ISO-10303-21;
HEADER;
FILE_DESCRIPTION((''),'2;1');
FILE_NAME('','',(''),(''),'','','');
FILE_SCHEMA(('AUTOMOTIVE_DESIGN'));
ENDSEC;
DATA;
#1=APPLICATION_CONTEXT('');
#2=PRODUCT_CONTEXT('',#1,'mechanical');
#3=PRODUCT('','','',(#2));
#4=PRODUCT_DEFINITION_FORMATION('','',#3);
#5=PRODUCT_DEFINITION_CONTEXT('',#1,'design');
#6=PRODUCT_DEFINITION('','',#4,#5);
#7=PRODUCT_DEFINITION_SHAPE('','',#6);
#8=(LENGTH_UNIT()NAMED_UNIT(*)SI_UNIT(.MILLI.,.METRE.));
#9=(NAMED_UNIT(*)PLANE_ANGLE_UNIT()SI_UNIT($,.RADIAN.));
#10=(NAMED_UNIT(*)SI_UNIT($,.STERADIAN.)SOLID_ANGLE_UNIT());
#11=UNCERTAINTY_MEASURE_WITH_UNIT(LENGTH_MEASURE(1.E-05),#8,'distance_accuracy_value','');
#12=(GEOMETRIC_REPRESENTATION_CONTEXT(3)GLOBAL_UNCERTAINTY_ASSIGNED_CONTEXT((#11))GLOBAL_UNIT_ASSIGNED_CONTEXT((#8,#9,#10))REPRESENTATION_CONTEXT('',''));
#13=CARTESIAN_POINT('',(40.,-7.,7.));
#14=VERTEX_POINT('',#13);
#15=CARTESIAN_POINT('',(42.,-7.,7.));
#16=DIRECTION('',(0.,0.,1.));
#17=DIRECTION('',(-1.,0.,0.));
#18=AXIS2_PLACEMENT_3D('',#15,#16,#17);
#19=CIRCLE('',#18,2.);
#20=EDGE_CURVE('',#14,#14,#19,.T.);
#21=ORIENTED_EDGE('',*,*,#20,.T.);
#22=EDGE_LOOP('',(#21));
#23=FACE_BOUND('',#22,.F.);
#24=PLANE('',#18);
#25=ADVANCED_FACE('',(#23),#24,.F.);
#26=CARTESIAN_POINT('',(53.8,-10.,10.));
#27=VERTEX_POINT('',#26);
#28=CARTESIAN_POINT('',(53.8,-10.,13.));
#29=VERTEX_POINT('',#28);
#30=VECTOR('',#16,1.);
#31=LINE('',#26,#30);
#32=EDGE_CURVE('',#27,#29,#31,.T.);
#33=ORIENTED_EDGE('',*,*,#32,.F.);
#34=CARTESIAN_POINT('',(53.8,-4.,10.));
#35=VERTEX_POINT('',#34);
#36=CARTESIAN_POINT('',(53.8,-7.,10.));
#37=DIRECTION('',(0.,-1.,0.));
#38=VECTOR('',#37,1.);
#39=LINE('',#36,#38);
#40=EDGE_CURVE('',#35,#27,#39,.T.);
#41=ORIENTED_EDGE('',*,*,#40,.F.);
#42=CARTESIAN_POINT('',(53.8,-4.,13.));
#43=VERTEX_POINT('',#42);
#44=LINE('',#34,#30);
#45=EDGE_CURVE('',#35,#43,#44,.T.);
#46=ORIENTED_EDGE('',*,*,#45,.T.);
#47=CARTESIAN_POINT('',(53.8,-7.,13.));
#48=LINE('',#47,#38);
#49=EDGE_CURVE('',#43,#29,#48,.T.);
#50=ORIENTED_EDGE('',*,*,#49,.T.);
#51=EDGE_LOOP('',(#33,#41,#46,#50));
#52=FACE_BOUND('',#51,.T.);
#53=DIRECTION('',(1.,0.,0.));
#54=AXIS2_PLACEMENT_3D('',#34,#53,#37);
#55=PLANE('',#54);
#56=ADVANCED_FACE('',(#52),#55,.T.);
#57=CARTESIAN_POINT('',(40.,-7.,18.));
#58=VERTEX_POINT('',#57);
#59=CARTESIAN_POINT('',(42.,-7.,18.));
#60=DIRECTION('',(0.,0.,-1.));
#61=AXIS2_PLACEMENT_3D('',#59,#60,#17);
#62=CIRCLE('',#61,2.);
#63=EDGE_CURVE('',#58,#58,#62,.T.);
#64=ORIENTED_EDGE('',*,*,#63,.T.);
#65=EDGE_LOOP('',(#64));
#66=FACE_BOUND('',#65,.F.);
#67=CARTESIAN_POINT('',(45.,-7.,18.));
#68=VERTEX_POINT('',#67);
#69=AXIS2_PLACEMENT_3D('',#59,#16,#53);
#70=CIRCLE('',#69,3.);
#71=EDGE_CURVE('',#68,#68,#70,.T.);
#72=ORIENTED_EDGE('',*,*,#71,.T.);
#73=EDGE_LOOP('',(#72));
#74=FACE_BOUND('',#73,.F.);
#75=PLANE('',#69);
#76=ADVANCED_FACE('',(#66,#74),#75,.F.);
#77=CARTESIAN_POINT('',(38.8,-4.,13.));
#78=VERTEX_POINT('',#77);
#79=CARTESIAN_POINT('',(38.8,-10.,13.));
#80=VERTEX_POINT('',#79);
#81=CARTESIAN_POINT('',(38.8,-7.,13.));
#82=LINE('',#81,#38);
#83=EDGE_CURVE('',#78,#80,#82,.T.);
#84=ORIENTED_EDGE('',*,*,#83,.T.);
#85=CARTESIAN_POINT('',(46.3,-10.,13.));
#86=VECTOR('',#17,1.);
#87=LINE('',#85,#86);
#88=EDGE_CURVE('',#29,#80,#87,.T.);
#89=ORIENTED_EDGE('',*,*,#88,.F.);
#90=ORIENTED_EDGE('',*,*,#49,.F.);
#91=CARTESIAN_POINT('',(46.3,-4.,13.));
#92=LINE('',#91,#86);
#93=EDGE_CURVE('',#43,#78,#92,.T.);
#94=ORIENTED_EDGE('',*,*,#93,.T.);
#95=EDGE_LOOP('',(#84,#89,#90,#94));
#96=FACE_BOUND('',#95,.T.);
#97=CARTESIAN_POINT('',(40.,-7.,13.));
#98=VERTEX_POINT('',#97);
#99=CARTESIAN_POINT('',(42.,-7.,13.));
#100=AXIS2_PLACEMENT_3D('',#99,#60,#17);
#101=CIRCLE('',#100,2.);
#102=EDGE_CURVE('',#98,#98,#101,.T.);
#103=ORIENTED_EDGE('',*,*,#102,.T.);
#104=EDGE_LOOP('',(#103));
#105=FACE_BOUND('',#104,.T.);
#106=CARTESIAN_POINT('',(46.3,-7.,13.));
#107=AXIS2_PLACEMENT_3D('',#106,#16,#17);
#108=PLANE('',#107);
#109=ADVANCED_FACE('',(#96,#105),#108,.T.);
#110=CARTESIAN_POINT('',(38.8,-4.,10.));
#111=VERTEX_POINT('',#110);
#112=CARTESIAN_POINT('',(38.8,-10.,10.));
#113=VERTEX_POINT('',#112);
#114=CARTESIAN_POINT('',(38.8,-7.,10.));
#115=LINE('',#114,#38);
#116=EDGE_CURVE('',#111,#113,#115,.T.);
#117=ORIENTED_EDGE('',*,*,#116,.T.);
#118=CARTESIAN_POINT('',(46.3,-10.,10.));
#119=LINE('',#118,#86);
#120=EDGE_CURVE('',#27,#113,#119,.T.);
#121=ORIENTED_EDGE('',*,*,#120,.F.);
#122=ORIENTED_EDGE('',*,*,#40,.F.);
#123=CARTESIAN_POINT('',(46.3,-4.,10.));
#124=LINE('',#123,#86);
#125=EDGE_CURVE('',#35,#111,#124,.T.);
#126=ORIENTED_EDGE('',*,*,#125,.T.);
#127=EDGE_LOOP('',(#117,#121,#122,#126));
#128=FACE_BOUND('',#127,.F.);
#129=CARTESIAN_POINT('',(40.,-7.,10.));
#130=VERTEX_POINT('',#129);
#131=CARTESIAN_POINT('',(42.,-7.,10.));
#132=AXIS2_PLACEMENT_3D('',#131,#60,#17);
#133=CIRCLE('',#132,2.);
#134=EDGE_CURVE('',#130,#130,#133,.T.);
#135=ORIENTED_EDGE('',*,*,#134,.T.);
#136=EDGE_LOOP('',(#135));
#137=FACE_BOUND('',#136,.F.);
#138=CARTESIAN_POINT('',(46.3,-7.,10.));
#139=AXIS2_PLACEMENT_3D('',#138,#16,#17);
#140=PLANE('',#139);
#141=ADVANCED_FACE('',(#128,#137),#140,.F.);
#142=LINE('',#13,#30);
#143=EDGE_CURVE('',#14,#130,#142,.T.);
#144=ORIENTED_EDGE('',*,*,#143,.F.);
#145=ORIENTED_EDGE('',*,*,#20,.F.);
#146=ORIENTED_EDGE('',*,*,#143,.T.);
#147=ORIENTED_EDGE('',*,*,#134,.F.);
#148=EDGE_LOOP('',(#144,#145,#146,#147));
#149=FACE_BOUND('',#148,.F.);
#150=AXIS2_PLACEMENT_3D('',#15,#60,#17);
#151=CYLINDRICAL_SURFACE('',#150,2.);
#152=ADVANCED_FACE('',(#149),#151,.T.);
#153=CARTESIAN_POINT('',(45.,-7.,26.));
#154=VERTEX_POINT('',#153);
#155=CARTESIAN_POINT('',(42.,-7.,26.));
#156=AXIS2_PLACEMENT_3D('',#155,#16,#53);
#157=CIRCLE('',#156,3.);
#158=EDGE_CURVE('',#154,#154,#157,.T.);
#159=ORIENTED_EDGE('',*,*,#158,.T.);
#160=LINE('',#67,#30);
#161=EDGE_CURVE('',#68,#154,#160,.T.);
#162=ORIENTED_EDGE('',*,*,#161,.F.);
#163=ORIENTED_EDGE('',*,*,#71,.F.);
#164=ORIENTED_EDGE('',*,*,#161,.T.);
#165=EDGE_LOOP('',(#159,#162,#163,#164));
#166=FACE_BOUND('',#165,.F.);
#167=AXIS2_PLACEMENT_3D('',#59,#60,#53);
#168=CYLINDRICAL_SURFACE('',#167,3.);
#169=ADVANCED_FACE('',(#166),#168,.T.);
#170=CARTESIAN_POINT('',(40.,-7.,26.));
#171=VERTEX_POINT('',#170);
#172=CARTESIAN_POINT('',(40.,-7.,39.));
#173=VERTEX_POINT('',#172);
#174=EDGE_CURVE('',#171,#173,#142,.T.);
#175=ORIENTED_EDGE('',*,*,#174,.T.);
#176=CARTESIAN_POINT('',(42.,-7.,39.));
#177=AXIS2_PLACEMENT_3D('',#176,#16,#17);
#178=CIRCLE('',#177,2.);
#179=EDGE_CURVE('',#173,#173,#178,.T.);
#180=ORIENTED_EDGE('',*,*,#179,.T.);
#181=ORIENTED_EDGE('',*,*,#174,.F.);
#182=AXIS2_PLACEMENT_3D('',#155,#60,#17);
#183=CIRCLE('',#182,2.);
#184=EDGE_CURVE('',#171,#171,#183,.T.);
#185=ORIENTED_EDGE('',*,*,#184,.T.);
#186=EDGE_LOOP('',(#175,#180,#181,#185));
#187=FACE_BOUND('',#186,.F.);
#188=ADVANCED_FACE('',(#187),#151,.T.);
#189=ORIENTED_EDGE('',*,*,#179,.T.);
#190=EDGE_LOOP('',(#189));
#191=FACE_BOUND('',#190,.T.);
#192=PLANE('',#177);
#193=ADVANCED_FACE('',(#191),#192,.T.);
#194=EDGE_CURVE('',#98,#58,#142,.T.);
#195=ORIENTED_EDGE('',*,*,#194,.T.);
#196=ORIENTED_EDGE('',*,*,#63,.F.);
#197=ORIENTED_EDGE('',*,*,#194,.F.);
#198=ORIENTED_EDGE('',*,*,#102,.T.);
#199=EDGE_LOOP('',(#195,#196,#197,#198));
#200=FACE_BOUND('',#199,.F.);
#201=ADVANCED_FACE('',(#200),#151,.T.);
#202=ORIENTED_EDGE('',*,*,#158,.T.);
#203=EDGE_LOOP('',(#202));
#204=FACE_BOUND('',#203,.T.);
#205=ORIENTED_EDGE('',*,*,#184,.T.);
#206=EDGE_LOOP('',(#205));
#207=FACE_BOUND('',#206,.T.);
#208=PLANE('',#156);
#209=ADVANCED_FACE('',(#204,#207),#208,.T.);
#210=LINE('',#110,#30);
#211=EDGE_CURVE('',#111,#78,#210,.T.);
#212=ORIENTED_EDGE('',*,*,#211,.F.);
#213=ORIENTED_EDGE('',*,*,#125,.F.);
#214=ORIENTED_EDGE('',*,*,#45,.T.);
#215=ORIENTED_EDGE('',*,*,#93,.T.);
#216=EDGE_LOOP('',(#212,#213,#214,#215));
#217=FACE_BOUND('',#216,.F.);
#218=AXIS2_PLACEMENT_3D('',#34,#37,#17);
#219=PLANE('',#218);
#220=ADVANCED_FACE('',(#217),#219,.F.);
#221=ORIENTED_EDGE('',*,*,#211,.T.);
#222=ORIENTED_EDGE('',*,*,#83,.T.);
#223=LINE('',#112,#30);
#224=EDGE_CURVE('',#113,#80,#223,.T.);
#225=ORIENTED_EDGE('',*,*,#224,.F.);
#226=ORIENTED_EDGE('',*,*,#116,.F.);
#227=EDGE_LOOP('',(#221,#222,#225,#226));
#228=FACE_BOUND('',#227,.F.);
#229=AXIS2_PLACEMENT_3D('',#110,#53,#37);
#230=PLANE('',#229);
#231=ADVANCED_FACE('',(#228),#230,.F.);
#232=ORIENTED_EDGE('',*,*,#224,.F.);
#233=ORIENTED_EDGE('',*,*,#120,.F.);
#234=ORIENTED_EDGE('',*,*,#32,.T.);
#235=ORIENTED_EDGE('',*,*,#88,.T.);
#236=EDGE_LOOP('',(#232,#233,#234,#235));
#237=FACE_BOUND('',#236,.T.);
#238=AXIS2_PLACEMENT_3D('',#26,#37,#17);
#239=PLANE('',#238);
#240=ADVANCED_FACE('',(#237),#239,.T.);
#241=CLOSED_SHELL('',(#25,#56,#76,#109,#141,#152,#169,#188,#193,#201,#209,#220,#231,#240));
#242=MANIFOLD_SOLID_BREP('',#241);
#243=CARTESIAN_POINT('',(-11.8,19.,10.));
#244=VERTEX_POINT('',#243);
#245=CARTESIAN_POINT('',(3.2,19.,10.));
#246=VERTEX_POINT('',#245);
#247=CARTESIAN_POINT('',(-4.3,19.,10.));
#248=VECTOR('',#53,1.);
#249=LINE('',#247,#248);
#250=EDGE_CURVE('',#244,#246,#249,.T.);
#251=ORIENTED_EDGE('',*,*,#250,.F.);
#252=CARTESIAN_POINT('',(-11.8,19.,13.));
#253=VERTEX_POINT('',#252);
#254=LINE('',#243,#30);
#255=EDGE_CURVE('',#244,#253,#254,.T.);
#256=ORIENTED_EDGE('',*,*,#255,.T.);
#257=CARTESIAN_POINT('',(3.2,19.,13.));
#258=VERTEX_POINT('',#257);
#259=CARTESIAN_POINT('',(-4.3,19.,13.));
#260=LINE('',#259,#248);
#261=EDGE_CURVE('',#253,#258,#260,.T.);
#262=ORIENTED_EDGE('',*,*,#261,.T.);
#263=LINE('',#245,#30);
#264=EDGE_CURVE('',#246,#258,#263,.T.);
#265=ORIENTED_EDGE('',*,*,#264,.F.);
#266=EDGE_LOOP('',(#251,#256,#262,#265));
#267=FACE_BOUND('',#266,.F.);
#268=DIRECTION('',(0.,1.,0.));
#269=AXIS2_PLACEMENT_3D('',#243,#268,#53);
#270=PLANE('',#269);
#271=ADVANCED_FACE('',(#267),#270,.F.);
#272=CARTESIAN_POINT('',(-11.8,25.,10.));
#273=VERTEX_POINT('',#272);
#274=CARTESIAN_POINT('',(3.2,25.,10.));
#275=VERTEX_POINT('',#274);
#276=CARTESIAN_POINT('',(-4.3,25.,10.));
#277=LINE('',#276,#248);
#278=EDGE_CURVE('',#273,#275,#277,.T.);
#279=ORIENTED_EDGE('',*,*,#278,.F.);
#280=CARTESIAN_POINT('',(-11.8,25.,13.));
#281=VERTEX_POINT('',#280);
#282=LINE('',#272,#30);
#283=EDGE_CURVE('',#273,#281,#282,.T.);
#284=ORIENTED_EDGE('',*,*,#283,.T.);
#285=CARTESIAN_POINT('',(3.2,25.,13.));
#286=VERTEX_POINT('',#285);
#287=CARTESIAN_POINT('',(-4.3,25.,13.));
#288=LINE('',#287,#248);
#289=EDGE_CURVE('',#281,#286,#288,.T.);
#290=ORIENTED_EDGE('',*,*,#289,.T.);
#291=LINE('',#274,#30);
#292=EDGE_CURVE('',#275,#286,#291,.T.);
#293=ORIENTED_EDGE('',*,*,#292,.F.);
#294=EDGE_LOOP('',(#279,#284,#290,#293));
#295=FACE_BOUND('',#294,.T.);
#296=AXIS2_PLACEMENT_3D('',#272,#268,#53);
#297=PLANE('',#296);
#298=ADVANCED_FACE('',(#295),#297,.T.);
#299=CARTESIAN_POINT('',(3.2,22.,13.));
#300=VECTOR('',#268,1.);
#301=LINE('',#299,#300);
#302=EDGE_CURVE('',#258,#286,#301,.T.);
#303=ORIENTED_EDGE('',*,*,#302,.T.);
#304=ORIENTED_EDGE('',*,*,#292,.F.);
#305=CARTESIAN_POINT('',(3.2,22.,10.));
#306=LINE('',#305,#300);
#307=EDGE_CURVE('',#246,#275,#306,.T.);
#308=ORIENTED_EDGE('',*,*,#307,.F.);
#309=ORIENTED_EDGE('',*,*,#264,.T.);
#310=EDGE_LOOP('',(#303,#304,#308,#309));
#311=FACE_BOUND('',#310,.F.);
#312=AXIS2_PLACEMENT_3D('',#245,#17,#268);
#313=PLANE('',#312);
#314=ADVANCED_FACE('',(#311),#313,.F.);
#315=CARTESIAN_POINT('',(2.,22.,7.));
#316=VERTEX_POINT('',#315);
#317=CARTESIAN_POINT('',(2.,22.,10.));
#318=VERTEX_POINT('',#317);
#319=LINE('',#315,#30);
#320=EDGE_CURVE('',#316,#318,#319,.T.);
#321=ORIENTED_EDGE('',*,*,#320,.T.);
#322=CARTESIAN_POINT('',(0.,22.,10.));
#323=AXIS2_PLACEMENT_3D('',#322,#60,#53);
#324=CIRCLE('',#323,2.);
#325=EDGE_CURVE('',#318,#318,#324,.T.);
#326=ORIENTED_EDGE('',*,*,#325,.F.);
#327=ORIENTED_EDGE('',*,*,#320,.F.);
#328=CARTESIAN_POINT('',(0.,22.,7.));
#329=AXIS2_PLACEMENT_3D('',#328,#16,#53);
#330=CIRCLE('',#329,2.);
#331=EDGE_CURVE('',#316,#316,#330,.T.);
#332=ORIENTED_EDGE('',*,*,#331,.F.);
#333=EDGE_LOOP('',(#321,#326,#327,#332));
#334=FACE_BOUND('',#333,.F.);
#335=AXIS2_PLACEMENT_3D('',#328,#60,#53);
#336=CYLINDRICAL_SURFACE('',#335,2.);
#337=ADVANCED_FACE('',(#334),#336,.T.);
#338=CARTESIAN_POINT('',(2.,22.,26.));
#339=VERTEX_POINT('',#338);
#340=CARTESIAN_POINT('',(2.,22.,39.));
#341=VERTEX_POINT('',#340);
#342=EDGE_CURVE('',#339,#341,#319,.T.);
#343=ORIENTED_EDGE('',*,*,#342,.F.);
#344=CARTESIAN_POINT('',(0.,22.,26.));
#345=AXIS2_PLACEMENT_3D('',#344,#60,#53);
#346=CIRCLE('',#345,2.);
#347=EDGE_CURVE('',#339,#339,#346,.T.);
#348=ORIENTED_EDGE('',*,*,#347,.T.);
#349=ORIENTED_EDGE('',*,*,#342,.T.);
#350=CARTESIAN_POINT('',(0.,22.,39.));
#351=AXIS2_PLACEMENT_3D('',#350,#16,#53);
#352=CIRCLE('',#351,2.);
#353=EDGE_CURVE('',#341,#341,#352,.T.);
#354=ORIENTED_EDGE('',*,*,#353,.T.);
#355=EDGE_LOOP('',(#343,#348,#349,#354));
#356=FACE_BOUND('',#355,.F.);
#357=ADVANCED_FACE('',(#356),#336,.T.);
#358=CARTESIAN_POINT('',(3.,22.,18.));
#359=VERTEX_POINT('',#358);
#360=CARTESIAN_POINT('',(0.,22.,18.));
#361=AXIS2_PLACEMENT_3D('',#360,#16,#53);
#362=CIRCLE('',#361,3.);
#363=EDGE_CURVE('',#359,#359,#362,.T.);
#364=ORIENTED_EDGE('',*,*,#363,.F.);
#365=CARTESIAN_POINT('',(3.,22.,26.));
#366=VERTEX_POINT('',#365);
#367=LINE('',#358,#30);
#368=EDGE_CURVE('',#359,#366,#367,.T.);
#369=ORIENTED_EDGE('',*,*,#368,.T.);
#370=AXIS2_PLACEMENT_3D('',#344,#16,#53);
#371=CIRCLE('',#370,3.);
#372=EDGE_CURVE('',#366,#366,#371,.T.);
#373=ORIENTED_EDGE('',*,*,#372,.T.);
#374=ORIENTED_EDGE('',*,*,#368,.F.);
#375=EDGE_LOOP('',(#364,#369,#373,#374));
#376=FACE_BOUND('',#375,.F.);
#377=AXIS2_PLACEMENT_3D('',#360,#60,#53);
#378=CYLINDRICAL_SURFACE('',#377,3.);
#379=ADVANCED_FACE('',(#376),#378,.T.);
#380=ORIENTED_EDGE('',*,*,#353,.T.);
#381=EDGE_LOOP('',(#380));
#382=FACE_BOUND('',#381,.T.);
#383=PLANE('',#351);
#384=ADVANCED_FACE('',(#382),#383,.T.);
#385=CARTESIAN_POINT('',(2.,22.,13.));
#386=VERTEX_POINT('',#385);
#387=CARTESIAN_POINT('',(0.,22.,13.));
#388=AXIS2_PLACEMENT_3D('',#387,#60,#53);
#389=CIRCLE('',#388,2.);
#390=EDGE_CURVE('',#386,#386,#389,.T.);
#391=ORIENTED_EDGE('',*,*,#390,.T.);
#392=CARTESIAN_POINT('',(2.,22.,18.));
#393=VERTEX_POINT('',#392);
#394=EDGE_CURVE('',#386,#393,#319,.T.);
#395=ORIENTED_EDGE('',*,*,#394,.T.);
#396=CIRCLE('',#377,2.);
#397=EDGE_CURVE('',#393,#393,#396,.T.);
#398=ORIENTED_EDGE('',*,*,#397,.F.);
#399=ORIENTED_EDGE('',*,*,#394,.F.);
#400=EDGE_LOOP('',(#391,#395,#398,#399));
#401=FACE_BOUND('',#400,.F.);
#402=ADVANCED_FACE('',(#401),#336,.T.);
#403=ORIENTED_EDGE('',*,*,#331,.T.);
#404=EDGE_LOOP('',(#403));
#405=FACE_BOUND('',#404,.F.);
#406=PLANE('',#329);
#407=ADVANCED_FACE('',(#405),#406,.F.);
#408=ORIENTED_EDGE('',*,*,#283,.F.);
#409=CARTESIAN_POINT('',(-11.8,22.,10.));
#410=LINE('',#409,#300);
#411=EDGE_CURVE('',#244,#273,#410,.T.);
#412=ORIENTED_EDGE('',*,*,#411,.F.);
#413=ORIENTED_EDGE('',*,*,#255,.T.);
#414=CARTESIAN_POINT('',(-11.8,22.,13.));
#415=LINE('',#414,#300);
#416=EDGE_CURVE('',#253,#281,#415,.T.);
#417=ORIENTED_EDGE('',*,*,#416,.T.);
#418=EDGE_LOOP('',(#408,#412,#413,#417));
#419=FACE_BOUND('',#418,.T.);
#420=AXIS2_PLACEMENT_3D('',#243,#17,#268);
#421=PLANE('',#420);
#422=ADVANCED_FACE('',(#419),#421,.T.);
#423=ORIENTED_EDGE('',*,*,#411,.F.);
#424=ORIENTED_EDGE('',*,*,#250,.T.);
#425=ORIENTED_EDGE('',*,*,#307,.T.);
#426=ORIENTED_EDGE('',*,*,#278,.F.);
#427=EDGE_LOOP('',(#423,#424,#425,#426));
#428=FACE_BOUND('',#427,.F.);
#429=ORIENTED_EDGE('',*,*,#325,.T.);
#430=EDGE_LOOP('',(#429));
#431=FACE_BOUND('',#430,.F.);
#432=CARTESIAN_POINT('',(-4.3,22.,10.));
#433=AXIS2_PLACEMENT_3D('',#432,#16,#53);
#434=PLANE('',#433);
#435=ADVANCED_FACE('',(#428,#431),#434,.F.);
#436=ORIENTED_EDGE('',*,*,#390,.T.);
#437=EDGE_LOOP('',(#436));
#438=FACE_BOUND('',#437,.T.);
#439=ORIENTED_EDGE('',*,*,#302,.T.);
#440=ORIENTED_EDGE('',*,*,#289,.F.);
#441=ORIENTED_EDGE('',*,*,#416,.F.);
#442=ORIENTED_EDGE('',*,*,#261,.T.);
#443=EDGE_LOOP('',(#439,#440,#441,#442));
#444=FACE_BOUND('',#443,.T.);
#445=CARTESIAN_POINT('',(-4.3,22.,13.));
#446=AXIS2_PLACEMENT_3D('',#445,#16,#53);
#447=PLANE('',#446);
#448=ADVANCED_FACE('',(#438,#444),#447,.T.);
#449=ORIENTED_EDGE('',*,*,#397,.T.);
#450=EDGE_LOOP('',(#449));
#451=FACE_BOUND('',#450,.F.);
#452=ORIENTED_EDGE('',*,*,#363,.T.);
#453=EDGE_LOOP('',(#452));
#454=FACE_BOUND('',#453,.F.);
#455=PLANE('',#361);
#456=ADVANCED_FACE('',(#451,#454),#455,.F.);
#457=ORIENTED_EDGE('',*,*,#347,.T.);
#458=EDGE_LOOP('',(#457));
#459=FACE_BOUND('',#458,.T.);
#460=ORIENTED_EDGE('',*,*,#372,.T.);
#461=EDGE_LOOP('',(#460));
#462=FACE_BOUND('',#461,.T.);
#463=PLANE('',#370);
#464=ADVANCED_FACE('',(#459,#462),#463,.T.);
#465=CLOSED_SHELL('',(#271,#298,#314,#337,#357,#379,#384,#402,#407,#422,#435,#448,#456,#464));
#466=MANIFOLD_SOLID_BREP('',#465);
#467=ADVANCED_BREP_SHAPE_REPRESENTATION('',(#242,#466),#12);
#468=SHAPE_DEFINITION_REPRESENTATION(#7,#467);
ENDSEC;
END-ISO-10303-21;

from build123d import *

# Parameters (mm, degrees)
CYLINDER054_R             = 3
CYLINDER054_DEPTH         = 8
CYLINDER053_R             = 3
CYLINDER053_DEPTH         = 8
BOX016_W                  = 15
BOX016_H                  = 6
BOX016_DEPTH              = 3
CYLINDER052_R             = 1.5
CYLINDER052_DEPTH         = 25
CYLINDER051_R             = 2
CYLINDER051_DEPTH         = 32
FUSION038_PLACEMENT_ANGLE = 180
BOX015_W                  = 15
BOX015_H                  = 6
BOX015_DEPTH              = 3
CYLINDER049_R             = 1.5
CYLINDER049_DEPTH         = 25
CYLINDER048_R             = 2
CYLINDER048_DEPTH         = 32


with BuildPart() as cylinder054:
    # Cylinder054 → Cylinder054 (new body)
    with BuildSketch(Plane(origin=(0, 22, 18), x_dir=(1, 0, 0), z_dir=(0, 0, 1))):
        Circle(CYLINDER054_R)
    extrude(amount=CYLINDER054_DEPTH)


with BuildPart() as cylinder053:
    # Cylinder053 → Cylinder053 (new body)
    with BuildSketch(Plane(origin=(42, -7, 18), x_dir=(1, 0, 0), z_dir=(0, 0, 1))):
        Circle(CYLINDER053_R)
    extrude(amount=CYLINDER053_DEPTH)


with BuildPart() as cube013:
    # Box016 → Box016 (new body)
    with BuildSketch(Plane(origin=(58.2, 67, 3), x_dir=(1, 0, 0), z_dir=(0, 0, 1))):
        with Locations((7.5, 3)):
            Rectangle(BOX016_W, BOX016_H)
    extrude(amount=BOX016_DEPTH)


with BuildPart() as cylinder052:
    # Cylinder052 → Cylinder052 (new body)
    with BuildSketch(Plane(origin=(70, 70, 7), x_dir=(1, 0, 0), z_dir=(0, 0, 1))):
        Circle(CYLINDER052_R)
    extrude(amount=CYLINDER052_DEPTH)


with BuildPart() as fusion038:
    # Cylinder051 → Cylinder051 (new body)
    with BuildSketch(Plane(origin=(70, 70, 0), x_dir=(1, 0, 0), z_dir=(0, 0, 1))):
        Circle(CYLINDER051_R)
    extrude(amount=CYLINDER051_DEPTH)

    # Fusion038: union Cube013, Cylinder052
    add(cube013.part)
    add(cylinder052.part)


with BuildPart() as fusion038_1:
    # Fusion038 placement: moved
    add(fusion038.part.moved(Location((112, 63, 7))).rotate(Axis((112, 63, 7), (0, 0, 1)), FUSION038_PLACEMENT_ANGLE))


with BuildPart() as cube012:
    # Box015 → Box015 (new body)
    with BuildSketch(Plane(origin=(58.2, 67, 3), x_dir=(1, 0, 0), z_dir=(0, 0, 1))):
        with Locations((7.5, 3)):
            Rectangle(BOX015_W, BOX015_H)
    extrude(amount=BOX015_DEPTH)


with BuildPart() as cylinder049:
    # Cylinder049 → Cylinder049 (new body)
    with BuildSketch(Plane(origin=(70, 70, 7), x_dir=(1, 0, 0), z_dir=(0, 0, 1))):
        Circle(CYLINDER049_R)
    extrude(amount=CYLINDER049_DEPTH)


with BuildPart() as fanductbohrung_obsolete:
    # Cylinder048 → Cylinder048 (new body)
    with BuildSketch(Plane(origin=(70, 70, 0), x_dir=(1, 0, 0), z_dir=(0, 0, 1))):
        Circle(CYLINDER048_R)
    extrude(amount=CYLINDER048_DEPTH)

    # Fusion037: union Cube012, Cylinder049
    add(cube012.part)
    add(cylinder049.part)


with BuildPart() as fanductbohrung_obsolete_1:
    # Fusion037 placement: moved
    add(fanductbohrung_obsolete.part.moved(Location((-70, -48, 7))))

    # Fusion039: union Cylinder054, Cylinder053, Fusion038
    add(cylinder054.part)
    add(cylinder053.part)
    add(fusion038_1.part)


solid = fanductbohrung_obsolete_1.part
